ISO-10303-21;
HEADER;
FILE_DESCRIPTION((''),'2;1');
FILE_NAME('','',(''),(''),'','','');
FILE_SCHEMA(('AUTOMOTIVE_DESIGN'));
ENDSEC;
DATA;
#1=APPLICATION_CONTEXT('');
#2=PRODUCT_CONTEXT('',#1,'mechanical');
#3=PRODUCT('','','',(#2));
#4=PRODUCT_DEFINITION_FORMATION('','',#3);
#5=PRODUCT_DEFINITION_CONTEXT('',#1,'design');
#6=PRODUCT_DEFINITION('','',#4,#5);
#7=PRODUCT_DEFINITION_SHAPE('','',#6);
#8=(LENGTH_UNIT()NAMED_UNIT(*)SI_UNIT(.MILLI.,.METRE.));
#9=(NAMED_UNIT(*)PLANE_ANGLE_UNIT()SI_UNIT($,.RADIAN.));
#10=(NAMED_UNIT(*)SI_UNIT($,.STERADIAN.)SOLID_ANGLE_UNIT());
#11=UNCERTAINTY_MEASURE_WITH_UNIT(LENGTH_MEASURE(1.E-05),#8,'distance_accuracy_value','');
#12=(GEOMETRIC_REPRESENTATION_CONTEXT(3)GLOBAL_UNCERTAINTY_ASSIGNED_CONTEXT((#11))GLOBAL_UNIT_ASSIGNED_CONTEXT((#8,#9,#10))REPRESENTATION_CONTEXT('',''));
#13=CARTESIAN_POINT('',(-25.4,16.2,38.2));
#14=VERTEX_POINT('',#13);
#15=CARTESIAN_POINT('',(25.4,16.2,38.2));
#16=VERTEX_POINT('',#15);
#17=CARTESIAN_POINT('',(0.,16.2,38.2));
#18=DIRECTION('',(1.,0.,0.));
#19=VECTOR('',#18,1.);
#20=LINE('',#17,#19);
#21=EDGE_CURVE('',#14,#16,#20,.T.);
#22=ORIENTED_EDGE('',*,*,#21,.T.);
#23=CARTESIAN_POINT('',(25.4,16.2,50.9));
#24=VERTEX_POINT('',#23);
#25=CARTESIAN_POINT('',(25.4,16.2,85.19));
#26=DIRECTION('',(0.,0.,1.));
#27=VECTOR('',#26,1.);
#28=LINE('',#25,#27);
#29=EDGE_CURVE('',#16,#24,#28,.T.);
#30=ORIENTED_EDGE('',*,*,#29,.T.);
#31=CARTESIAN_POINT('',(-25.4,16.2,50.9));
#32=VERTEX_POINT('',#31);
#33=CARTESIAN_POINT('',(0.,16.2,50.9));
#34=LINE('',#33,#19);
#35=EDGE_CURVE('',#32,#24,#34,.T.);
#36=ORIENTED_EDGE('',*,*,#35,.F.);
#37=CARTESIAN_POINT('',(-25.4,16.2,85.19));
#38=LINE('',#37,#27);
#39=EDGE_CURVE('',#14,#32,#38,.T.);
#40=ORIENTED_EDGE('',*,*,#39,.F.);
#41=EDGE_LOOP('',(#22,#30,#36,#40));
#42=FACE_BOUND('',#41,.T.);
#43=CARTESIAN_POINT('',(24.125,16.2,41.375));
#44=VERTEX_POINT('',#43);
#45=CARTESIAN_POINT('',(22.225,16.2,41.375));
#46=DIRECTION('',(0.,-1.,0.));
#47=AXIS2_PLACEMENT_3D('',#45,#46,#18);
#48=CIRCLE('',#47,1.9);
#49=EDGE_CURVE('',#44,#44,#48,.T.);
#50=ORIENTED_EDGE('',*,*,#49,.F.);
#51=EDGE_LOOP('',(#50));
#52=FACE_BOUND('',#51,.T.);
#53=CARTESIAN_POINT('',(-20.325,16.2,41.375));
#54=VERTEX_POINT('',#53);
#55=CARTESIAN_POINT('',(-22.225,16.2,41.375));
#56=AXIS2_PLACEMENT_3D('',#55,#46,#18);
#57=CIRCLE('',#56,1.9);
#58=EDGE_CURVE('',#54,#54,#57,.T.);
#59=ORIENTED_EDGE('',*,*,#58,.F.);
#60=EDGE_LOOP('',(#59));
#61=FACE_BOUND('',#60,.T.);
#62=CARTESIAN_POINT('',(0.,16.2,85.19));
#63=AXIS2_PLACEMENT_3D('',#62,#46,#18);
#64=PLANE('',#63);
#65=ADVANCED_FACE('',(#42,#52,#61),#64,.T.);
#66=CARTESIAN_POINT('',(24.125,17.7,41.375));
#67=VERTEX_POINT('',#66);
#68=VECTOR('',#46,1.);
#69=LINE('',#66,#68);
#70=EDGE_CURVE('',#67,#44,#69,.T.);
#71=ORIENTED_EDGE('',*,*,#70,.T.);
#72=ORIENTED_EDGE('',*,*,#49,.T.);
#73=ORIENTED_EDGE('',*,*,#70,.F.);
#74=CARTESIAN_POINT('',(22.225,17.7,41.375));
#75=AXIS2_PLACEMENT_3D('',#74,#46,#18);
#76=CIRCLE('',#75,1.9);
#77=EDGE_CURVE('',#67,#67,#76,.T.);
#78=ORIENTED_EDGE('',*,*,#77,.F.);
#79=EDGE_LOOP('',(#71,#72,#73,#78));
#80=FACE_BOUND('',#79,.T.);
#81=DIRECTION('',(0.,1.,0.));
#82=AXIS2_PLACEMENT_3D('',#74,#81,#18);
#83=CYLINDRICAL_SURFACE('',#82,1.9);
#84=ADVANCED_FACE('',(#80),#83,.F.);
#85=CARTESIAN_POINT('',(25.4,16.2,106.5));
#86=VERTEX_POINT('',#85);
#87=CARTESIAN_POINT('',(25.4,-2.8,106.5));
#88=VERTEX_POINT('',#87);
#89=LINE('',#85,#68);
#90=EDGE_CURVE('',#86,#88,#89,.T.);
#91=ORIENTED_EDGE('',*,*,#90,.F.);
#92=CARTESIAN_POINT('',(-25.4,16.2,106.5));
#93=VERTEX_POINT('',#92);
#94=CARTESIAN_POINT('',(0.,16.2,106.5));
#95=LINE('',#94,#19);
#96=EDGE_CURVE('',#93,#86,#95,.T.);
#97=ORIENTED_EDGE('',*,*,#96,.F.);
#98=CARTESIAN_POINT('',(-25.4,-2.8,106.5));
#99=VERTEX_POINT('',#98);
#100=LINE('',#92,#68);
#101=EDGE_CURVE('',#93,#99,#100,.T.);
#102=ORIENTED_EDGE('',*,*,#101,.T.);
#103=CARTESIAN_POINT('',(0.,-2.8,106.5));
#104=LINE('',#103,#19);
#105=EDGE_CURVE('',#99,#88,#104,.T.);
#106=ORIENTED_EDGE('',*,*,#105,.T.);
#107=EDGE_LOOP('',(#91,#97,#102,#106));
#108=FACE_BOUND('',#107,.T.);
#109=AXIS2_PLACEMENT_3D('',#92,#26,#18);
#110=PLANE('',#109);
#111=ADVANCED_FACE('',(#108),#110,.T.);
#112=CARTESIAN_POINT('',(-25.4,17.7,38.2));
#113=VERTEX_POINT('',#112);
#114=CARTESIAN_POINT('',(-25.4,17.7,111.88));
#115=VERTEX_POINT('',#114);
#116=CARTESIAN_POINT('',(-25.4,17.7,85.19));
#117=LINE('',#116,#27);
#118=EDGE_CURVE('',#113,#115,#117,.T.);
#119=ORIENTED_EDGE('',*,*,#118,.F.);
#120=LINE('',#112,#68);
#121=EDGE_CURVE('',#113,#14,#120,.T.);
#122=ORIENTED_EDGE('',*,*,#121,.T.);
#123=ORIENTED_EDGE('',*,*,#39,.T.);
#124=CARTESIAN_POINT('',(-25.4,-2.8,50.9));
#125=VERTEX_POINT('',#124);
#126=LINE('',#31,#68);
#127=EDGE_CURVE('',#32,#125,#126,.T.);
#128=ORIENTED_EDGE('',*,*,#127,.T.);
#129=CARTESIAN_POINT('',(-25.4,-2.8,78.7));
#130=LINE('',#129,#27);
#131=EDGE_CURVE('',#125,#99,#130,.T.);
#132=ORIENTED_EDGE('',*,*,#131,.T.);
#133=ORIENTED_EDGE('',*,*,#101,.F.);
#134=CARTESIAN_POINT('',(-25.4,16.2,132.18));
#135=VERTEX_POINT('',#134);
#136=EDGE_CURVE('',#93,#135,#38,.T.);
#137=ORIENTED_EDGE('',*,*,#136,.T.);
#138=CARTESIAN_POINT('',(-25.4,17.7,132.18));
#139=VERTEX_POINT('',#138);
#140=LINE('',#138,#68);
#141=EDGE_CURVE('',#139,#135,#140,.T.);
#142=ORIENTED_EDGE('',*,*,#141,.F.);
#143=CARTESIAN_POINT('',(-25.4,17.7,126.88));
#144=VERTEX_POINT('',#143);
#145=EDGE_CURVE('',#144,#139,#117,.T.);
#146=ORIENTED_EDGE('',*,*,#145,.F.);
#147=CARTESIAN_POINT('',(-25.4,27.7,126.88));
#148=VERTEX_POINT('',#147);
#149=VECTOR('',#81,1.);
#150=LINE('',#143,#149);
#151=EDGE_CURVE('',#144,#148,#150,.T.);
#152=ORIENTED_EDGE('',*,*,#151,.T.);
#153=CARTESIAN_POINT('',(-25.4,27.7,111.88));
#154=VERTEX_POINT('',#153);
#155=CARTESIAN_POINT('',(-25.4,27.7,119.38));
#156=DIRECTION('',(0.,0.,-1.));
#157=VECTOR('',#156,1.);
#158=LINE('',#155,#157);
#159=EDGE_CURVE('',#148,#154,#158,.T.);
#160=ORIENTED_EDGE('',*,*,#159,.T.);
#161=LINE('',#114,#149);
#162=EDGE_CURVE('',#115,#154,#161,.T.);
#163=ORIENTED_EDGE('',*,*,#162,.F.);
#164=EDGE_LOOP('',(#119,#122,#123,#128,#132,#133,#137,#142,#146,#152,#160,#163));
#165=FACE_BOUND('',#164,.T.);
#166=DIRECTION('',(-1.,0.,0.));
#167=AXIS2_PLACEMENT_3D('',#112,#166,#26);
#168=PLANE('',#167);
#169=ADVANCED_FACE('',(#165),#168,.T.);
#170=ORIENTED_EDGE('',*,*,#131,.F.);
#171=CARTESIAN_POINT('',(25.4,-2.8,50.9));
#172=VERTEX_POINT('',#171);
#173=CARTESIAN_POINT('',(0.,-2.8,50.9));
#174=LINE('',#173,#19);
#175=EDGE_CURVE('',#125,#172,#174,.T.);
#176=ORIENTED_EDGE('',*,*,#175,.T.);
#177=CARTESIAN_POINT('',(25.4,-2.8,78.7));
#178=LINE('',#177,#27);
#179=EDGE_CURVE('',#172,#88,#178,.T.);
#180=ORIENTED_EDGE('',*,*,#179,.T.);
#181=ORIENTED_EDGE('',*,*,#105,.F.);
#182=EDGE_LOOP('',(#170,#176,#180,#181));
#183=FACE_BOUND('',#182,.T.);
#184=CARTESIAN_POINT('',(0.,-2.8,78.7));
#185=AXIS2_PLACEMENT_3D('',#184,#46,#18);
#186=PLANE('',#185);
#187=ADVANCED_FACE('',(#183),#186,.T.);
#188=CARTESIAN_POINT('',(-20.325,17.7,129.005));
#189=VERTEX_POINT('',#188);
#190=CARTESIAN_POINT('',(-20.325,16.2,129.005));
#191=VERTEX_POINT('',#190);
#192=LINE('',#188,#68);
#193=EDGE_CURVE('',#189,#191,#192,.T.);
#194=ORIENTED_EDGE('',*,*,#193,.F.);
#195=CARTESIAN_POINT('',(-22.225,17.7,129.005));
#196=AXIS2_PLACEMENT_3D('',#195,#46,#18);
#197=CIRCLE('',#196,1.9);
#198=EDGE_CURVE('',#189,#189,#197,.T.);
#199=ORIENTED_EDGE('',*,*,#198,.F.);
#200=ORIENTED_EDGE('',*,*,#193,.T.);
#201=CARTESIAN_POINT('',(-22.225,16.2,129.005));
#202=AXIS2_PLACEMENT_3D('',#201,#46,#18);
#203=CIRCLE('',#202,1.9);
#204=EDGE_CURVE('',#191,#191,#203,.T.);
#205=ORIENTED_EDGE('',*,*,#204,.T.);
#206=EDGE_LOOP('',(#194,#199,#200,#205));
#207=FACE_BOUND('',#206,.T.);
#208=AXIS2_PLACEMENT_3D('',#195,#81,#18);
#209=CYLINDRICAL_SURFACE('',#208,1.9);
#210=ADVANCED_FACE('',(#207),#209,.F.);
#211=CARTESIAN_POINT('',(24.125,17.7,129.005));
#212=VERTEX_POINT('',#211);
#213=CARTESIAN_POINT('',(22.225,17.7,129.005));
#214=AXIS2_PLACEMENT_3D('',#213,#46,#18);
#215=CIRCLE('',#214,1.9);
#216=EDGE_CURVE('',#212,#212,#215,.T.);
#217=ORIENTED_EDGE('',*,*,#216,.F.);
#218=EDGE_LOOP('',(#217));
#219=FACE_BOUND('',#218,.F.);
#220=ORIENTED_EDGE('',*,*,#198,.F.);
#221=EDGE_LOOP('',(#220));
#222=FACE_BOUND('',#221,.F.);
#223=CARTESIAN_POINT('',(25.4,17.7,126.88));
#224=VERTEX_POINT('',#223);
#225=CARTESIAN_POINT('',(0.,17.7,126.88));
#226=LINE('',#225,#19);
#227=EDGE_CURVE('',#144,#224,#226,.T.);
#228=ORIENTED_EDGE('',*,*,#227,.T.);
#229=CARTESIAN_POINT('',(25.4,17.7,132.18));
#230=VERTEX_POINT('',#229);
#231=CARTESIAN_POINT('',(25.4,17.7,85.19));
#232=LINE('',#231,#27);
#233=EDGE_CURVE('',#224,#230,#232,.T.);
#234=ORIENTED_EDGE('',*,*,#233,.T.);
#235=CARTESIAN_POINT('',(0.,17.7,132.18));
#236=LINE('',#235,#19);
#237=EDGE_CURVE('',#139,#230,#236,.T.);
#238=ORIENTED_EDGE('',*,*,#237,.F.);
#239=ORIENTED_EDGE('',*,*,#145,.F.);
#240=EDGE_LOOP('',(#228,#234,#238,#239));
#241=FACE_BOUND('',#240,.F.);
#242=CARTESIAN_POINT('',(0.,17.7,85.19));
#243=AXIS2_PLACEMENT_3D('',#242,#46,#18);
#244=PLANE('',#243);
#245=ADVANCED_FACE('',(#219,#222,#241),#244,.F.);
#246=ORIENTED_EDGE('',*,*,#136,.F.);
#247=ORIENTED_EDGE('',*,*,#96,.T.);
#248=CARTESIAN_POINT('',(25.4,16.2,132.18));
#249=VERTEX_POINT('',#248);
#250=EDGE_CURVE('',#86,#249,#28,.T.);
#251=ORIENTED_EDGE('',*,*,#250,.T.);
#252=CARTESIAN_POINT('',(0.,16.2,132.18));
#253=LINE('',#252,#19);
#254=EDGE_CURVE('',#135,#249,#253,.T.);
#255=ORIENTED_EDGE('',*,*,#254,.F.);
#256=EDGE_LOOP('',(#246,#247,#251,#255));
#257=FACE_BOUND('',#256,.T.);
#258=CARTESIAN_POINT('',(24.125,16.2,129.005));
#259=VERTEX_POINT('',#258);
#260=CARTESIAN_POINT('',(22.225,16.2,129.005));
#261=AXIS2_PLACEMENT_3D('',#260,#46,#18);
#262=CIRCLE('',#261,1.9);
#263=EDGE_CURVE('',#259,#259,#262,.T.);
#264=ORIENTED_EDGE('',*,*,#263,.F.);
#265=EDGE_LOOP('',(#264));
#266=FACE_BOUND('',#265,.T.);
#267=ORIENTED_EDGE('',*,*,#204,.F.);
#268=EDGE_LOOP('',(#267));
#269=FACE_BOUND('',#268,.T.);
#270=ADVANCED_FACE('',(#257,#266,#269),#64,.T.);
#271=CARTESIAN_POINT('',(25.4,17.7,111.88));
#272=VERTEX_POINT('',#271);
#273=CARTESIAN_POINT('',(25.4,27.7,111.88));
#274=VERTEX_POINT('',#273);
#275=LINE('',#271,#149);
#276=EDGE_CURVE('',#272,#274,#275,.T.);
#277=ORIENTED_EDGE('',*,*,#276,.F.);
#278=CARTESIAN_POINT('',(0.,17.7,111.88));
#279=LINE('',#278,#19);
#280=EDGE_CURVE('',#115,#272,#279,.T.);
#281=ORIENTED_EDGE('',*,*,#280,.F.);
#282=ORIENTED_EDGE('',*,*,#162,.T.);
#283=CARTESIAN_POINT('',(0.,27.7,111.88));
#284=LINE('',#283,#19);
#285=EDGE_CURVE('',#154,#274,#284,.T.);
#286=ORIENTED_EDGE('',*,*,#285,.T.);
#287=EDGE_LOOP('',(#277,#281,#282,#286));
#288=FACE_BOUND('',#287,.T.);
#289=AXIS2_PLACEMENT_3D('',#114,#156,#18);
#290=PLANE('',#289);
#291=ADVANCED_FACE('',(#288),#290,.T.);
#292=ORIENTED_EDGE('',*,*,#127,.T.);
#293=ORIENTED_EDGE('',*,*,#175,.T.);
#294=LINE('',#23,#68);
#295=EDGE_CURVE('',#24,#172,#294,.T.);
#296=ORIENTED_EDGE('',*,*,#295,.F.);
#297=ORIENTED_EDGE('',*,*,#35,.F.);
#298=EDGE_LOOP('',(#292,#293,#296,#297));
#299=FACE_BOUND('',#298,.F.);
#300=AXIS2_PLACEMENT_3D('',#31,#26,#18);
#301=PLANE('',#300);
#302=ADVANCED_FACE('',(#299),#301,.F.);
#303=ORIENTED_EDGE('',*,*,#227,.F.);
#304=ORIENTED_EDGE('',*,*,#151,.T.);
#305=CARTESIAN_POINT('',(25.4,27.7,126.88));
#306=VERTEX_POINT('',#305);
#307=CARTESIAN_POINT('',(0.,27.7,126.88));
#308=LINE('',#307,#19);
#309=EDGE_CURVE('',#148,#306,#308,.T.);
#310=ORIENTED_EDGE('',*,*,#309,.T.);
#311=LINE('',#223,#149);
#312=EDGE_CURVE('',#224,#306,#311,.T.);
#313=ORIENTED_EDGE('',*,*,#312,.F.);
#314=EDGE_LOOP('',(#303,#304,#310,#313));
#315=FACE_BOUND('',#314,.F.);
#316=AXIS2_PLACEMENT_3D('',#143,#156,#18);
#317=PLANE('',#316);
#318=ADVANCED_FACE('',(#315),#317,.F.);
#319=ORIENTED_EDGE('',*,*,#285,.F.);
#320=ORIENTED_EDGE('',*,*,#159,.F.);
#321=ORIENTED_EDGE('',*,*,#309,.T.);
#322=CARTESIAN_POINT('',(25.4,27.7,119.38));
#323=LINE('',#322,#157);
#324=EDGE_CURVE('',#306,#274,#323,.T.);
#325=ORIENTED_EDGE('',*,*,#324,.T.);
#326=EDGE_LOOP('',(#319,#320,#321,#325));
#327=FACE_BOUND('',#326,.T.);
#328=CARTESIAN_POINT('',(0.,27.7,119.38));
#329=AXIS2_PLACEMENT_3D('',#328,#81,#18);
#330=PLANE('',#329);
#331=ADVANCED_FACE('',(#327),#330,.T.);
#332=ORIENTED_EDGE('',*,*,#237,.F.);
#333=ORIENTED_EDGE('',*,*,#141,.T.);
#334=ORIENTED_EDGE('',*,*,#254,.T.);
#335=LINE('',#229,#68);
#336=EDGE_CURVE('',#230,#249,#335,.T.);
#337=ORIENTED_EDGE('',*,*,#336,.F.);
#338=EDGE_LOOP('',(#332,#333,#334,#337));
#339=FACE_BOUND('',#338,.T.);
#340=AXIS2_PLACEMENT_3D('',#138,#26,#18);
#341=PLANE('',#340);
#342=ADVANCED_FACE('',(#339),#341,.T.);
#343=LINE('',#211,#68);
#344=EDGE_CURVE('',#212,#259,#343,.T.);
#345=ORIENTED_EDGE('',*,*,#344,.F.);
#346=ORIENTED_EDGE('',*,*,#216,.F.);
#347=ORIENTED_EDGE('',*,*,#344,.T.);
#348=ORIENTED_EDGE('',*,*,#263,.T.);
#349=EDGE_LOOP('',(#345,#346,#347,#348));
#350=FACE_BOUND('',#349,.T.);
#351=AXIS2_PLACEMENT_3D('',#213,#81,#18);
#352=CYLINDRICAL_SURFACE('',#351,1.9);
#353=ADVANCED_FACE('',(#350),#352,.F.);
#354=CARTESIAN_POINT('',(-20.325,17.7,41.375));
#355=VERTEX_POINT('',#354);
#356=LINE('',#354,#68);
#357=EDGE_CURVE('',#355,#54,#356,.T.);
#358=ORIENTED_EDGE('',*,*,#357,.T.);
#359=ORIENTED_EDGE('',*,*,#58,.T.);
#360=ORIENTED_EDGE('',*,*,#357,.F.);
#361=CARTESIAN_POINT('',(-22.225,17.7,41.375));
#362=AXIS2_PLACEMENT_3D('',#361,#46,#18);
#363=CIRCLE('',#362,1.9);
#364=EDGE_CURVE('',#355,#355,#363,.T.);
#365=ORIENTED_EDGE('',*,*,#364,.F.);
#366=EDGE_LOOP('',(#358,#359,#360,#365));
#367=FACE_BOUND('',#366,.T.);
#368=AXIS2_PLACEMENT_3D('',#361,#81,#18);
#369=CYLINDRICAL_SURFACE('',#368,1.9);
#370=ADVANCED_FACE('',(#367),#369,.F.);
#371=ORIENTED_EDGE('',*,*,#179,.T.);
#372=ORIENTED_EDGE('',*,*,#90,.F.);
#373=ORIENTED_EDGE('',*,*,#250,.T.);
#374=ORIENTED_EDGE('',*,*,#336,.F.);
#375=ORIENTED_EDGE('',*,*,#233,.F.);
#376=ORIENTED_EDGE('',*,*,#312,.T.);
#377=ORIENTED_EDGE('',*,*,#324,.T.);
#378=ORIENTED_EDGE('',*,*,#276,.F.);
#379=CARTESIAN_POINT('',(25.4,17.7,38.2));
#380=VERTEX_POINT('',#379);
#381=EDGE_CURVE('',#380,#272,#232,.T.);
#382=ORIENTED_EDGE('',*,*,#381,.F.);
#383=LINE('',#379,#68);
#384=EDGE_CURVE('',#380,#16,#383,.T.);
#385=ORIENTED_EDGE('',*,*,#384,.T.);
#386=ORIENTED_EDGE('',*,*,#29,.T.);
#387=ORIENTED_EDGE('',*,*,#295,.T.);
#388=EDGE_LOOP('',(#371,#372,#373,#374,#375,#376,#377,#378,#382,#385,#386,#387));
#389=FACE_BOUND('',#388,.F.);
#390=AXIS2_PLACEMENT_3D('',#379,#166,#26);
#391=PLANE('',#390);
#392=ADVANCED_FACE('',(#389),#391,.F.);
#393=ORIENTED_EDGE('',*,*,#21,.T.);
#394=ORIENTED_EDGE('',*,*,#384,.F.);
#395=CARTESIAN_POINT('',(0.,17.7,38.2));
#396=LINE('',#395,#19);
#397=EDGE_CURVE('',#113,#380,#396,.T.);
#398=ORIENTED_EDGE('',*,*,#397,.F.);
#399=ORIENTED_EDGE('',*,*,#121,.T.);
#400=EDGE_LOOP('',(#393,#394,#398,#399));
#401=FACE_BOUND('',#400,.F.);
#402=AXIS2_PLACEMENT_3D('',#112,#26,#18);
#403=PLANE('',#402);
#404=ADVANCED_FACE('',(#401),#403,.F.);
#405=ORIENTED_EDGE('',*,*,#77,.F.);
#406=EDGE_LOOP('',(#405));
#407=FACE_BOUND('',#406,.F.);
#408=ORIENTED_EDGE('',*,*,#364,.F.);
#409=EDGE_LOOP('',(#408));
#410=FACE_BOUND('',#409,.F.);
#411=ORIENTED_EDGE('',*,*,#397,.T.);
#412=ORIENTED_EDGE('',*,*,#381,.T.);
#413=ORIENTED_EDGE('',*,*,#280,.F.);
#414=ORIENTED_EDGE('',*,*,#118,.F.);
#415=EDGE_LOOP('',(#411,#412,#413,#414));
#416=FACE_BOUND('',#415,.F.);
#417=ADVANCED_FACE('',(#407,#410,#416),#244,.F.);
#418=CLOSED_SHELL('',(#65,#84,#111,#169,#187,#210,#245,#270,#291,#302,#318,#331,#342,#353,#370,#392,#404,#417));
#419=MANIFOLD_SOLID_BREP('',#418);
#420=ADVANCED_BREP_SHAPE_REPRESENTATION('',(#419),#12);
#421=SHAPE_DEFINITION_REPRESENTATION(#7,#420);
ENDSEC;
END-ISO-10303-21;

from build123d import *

# Parameters (mm, degrees)
SKETCH021_W  = 50.8
SKETCH021_H  = 93.98
SKETCH021_R  = 1.9
PAD018_DEPTH = 1.5
SKETCH022_W  = 50.8
SKETCH022_H  = 55.6
PAD019_DEPTH = 19
SKETCH023_W  = 50.8
SKETCH023_H  = 15
PAD020_DEPTH = 10


with BuildPart() as part:
    # Sketch021 → Pad018 (new body)
    with BuildSketch(Plane.XZ):
        with Locations((0, 85.19)):
            Rectangle(SKETCH021_W, SKETCH021_H)
        with Locations((-22.225, 129.005)):
            Circle(SKETCH021_R, mode=Mode.SUBTRACT)
        with Locations((22.225, 129.005)):
            Circle(SKETCH021_R, mode=Mode.SUBTRACT)
        with Locations((22.225, 41.375)):
            Circle(SKETCH021_R, mode=Mode.SUBTRACT)
        with Locations((-22.225, 41.375)):
            Circle(SKETCH021_R, mode=Mode.SUBTRACT)
    extrude(amount=PAD018_DEPTH)

    # Sketch022 (on Face10 of Pad018) → Pad019 (join)
    with BuildSketch(Plane.XZ.offset(1.5)):
        with Locations((0, 78.7)):
            Rectangle(SKETCH022_W, SKETCH022_H)
    extrude(amount=PAD019_DEPTH)

    # Sketch023 (on Face4 of Pad019) → Pad020 (join)
    with BuildSketch(Plane(origin=(0, 0, 0), x_dir=(1, 0, 0), z_dir=(0, 1, 0))):
        with Locations((0, -119.38)):
            Rectangle(SKETCH023_W, SKETCH023_H)
    extrude(amount=PAD020_DEPTH)


with BuildPart() as part_1:
    # Body010 placement: moved
    add(part.part.moved(Location((0, 17.7, 0))))


solid = part_1.part
